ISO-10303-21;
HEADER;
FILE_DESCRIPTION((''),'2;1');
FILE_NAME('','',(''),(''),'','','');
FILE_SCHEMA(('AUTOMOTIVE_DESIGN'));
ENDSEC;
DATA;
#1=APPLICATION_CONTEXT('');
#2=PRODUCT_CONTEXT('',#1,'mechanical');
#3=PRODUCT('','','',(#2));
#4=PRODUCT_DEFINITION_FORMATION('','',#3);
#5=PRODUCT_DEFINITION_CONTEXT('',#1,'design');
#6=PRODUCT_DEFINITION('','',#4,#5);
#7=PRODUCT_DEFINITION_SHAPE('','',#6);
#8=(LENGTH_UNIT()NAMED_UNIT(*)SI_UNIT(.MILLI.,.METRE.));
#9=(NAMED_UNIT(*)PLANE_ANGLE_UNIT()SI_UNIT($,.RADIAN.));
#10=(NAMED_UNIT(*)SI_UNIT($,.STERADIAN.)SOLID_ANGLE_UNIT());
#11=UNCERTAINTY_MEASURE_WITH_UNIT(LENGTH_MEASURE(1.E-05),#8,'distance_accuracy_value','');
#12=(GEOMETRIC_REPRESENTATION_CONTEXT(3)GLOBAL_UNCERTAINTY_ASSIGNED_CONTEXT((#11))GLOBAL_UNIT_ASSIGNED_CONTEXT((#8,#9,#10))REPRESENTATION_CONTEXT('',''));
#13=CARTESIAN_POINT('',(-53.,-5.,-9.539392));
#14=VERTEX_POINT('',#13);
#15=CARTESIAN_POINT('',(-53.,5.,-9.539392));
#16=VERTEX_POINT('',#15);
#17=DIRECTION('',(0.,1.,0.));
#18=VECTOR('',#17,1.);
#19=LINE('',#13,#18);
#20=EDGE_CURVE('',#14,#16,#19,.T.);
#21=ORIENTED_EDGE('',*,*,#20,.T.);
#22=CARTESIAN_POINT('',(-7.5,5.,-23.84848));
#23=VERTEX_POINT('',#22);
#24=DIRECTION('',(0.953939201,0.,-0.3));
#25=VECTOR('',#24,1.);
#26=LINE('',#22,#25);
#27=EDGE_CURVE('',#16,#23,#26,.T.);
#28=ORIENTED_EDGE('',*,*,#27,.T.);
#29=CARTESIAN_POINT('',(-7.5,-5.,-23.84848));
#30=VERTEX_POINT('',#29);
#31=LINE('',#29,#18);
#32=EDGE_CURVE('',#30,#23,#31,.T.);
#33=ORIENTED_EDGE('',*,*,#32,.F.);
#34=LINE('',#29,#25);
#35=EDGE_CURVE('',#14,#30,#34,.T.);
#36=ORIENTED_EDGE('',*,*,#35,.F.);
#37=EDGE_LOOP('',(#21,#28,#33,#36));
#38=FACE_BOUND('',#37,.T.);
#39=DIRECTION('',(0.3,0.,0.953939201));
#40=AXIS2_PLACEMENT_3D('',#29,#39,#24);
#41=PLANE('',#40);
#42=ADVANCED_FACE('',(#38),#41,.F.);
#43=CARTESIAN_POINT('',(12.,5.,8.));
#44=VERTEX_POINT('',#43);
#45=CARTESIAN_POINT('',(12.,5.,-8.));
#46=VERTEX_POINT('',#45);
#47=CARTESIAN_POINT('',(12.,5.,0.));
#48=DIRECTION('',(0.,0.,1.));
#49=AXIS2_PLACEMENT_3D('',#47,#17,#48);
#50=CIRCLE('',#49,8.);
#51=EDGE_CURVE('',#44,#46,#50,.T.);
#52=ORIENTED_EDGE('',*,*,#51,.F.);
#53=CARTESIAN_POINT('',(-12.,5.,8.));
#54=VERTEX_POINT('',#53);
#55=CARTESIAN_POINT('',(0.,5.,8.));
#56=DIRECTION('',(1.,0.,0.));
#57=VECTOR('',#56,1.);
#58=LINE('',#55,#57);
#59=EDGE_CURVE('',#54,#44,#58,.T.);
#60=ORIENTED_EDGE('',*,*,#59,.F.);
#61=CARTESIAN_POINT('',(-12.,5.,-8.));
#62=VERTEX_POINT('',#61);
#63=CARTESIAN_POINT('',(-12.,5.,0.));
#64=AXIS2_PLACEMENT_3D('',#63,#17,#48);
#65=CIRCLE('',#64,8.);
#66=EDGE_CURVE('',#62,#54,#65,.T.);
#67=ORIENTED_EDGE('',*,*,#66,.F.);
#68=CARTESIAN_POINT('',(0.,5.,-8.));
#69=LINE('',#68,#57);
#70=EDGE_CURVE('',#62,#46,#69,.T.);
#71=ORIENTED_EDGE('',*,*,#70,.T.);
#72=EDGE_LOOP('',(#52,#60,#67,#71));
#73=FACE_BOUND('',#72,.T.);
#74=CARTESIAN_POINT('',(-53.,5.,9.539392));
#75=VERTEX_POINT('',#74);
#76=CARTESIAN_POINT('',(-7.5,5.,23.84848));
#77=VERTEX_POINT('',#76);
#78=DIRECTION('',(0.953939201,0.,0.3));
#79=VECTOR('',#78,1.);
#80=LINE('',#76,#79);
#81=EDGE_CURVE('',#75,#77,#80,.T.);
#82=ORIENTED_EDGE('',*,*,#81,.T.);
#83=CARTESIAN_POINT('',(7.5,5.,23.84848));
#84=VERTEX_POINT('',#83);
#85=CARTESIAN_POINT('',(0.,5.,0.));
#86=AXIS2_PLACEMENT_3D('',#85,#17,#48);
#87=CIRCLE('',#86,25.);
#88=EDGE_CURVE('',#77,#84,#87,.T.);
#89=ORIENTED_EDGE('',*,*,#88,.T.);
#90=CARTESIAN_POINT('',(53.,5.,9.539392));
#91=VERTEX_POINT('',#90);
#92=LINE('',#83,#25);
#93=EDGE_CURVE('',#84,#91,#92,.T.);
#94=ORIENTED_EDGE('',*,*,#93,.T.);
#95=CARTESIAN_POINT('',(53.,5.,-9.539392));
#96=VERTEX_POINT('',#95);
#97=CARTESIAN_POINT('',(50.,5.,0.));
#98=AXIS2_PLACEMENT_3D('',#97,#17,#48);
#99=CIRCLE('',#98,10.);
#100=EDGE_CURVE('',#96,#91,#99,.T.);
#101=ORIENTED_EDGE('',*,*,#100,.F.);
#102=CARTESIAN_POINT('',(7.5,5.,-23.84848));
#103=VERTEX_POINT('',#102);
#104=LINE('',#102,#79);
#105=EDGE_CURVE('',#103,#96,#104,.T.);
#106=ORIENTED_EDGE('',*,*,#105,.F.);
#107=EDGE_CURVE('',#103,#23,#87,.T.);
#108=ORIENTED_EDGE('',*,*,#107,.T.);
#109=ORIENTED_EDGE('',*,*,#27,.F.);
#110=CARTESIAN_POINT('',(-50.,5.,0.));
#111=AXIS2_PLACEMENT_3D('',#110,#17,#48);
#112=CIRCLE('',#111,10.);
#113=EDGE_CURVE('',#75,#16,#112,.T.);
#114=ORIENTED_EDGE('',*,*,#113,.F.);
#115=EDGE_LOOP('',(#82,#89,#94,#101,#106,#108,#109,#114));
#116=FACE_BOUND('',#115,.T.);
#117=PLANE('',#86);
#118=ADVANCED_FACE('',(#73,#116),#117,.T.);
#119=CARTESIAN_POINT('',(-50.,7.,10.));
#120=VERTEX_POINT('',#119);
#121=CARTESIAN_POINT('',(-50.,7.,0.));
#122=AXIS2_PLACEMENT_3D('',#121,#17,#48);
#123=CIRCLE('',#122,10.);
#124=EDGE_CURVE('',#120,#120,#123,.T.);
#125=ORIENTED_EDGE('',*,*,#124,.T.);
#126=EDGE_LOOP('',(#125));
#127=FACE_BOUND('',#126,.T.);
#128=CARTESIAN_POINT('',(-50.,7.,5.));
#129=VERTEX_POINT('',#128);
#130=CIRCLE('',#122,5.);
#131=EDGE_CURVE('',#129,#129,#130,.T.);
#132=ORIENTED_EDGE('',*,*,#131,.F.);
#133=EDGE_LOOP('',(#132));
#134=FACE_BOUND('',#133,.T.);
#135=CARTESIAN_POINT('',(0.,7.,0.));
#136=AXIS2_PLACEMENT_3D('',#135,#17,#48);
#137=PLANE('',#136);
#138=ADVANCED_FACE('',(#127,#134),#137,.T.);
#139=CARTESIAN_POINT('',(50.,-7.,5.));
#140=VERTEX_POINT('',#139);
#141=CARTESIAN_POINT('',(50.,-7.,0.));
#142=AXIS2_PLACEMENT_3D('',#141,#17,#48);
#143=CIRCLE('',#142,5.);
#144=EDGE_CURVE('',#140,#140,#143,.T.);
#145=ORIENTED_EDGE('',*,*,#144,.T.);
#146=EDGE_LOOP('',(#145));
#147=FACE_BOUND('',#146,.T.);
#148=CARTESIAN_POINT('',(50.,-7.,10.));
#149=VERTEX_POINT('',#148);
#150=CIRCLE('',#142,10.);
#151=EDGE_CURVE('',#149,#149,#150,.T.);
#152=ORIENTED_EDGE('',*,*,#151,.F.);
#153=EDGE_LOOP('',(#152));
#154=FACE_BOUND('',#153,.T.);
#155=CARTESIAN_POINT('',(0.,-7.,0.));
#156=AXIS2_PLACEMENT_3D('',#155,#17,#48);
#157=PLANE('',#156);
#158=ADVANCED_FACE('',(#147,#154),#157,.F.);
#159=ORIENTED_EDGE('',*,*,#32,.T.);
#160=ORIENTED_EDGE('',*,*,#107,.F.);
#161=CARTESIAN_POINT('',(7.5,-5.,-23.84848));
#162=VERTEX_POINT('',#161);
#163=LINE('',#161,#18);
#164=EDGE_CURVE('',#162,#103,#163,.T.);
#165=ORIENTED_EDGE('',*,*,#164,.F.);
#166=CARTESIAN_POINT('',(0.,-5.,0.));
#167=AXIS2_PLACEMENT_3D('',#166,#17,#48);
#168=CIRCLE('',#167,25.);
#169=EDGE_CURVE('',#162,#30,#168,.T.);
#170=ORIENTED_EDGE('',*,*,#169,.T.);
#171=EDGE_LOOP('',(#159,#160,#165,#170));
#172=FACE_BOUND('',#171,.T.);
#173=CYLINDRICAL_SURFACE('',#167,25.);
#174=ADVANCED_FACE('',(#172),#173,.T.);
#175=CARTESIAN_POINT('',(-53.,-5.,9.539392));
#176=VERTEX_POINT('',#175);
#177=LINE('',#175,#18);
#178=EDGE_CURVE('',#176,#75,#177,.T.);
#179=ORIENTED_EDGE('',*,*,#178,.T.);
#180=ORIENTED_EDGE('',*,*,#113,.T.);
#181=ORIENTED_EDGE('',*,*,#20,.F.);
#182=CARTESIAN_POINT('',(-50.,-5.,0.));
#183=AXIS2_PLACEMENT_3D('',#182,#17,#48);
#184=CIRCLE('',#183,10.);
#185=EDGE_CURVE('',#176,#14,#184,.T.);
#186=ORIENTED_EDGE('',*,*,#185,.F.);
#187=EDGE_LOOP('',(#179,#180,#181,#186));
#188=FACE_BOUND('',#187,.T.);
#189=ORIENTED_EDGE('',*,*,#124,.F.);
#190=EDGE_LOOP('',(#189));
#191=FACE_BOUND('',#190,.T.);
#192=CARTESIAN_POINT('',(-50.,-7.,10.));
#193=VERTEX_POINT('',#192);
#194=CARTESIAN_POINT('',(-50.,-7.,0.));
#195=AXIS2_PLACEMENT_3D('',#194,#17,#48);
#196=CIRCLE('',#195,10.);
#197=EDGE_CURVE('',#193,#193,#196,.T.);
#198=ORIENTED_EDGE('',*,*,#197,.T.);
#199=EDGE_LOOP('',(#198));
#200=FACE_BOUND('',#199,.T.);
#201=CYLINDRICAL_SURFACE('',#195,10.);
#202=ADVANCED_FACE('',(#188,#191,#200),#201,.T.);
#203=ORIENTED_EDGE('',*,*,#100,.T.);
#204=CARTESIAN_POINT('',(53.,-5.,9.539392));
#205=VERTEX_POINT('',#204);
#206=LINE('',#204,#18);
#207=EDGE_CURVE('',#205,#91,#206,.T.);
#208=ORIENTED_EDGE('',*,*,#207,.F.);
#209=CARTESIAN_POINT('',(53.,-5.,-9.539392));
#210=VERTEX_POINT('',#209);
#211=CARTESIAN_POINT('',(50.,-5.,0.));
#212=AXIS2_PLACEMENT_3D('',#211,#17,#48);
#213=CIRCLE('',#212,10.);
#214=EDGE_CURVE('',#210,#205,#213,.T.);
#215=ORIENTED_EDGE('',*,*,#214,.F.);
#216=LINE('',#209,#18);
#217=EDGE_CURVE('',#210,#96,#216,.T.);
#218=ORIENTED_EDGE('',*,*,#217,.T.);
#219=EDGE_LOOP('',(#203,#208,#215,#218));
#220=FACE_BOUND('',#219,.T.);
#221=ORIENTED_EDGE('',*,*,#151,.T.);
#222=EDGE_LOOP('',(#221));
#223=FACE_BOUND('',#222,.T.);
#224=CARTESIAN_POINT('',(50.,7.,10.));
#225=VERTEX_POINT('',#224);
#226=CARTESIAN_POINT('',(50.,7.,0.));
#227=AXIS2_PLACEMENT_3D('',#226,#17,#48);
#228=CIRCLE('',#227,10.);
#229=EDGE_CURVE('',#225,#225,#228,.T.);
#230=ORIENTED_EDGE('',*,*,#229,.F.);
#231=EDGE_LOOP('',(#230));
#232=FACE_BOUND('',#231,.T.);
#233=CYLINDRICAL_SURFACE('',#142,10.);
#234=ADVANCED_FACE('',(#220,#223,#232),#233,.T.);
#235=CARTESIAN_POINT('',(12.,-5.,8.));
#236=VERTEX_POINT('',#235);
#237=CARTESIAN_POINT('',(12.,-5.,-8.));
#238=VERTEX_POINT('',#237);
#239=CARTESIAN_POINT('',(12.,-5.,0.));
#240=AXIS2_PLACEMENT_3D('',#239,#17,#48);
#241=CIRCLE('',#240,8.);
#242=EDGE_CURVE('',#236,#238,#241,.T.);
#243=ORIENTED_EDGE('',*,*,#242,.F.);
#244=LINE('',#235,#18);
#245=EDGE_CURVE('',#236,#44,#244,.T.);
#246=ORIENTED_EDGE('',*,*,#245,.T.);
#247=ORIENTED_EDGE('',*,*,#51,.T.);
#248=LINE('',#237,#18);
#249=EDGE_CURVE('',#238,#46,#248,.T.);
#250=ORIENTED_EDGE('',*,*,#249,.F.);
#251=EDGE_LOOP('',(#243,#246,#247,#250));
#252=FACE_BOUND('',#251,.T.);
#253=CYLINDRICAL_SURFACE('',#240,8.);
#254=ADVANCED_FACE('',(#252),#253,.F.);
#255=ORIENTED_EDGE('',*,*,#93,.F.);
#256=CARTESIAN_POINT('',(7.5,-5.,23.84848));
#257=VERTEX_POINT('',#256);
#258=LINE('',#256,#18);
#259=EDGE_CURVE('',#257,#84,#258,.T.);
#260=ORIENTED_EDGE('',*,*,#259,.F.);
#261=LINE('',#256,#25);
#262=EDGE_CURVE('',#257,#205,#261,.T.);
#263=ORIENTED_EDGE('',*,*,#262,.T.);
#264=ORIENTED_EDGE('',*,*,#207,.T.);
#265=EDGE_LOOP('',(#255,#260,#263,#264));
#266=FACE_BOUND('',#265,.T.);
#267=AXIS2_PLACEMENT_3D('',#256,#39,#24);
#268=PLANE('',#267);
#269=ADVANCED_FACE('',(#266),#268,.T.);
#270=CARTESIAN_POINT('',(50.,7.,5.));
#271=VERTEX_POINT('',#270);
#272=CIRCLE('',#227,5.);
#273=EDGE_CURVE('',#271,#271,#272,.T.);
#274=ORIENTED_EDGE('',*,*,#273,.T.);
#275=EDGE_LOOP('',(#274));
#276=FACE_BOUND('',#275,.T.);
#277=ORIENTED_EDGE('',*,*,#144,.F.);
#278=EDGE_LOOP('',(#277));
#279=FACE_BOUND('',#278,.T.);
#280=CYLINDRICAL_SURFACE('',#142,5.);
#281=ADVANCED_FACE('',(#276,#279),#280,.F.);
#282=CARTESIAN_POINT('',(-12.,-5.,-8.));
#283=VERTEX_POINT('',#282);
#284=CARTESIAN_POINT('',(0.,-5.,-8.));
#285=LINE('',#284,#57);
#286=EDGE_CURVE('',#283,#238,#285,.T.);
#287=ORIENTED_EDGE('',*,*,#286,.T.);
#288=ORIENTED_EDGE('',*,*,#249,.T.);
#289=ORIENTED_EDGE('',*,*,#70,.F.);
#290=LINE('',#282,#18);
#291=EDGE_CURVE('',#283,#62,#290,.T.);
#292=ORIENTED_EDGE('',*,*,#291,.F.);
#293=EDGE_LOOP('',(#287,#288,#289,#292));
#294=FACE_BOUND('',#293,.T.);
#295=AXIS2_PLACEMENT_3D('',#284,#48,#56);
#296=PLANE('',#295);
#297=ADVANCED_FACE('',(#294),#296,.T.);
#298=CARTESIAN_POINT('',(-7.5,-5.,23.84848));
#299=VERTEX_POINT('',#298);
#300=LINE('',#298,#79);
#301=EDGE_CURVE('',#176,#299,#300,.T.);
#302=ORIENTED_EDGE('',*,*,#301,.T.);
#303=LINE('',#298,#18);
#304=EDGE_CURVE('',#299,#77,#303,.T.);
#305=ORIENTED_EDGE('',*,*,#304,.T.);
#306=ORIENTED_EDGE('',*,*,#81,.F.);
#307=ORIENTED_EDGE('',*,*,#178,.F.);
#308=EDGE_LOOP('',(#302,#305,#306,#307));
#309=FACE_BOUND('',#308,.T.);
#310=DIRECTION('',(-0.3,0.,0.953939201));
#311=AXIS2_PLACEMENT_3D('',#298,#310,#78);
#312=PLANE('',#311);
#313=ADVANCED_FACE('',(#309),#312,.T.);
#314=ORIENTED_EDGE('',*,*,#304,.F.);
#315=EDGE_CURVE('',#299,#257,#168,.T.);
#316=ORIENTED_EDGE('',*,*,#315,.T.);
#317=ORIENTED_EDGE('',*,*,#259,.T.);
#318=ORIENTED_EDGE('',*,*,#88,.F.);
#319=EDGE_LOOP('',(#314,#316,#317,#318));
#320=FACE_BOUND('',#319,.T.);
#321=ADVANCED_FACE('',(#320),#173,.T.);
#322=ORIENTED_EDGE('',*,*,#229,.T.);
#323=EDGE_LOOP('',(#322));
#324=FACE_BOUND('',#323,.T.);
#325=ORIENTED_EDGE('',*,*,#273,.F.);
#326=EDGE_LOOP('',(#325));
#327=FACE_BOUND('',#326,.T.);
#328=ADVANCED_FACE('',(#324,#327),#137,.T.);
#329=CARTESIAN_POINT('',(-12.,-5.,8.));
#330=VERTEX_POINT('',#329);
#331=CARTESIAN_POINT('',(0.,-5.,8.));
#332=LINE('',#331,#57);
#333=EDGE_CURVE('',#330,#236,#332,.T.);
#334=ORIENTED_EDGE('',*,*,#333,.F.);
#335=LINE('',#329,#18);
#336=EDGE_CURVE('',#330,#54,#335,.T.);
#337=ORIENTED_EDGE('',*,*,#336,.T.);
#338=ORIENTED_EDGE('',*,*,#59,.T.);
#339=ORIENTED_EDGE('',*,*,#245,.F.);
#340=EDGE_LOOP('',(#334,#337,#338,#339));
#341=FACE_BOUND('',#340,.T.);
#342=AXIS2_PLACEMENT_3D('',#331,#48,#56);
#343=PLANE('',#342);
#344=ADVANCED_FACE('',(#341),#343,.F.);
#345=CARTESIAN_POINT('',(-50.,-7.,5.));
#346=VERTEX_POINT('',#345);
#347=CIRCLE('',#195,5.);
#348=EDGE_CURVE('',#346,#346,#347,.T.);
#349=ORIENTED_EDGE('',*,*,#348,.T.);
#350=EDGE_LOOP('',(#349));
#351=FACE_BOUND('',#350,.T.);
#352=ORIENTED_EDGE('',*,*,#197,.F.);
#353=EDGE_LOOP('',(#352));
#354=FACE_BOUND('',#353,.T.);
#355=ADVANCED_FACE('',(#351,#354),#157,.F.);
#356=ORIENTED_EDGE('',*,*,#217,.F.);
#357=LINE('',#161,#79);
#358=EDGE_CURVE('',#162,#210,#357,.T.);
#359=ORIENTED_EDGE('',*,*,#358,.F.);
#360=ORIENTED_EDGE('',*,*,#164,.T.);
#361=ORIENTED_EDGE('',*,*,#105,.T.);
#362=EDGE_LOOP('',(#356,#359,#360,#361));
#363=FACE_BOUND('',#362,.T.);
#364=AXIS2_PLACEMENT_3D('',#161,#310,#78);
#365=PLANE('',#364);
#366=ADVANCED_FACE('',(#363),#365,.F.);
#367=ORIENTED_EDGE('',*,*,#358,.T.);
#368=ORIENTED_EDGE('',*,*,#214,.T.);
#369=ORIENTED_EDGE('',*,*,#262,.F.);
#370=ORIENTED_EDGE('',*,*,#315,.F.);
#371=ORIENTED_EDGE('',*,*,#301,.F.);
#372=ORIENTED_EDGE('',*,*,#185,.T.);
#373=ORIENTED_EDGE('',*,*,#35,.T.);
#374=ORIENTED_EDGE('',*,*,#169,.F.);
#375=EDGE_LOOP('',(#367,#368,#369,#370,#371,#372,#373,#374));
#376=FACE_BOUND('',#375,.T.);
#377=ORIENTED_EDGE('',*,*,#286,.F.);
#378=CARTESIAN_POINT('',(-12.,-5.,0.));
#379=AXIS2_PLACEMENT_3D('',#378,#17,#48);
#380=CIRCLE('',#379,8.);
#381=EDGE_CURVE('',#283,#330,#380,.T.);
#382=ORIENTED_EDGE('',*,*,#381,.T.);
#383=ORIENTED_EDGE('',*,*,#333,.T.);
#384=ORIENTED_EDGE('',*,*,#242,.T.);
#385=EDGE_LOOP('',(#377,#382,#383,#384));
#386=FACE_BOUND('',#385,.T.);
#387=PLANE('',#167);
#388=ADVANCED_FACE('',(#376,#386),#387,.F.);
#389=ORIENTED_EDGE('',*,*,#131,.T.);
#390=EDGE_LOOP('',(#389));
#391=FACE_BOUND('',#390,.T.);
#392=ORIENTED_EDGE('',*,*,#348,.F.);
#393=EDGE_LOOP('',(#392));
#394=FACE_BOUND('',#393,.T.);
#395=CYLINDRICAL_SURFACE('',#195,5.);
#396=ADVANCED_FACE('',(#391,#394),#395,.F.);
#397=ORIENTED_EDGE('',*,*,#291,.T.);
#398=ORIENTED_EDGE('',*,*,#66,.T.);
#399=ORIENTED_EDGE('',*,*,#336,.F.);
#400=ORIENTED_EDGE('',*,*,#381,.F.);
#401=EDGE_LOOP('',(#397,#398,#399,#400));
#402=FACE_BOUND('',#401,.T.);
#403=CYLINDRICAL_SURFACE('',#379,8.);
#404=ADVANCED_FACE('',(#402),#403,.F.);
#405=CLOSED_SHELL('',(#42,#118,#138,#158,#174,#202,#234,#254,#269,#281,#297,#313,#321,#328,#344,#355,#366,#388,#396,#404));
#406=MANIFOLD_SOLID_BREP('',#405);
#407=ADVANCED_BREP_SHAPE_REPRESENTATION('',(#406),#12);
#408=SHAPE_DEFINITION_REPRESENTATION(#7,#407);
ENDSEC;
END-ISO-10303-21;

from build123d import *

# Parameters (mm, degrees)
SALIENTE_EXTRUIR1_DEPTH      = 5
SALIENTE_EXTRUIR1_DEPTH_BACK = 5
SALIENTE_EXTRUIR2_DEPTH      = 7
SALIENTE_EXTRUIR2_DEPTH_BACK = 7
CROQUIS6_3_R                 = 10
CROQUIS6_3_R_2               = 5


with BuildPart() as part:
    # Croquis6 → Saliente-Extruir1 (new, two sides: drawn at the far end of the back side and taken through both)
    with BuildSketch(Plane(origin=(0, 0, 0), x_dir=(1, 0, 0), z_dir=(0, 1, 0)).offset(-SALIENTE_EXTRUIR1_DEPTH_BACK)):
        with BuildLine():
            Line((-7.5, 23.848480035), (-53, 9.539392014))
            ThreePointArc((-53, 9.539392014), (-44.083920217, 8.062257748), (-40, 0))
            ThreePointArc((-40, 0), (-44.083920217, -8.062257748), (-53, -9.539392014))
            Line((-53, -9.539392014), (-7.5, -23.848480035))
            ThreePointArc((-7.5, -23.848480035), (0, -25), (7.5, -23.848480035))
            Line((7.5, -23.848480035), (53, -9.539392014))
            ThreePointArc((53, -9.539392014), (40, 0), (53, 9.539392014))
            Line((53, 9.539392014), (7.5, 23.848480035))
            ThreePointArc((7.5, 23.848480035), (0, 25), (-7.5, 23.848480035))
        make_face()
        with BuildLine():
            Line((12, -8), (-12, -8))
            ThreePointArc((-12, -8), (-20, 0), (-12, 8))
            Line((-12, 8), (12, 8))
            ThreePointArc((12, 8), (20, 0), (12, -8))
        make_face(mode=Mode.SUBTRACT)
    extrude(amount=SALIENTE_EXTRUIR1_DEPTH + SALIENTE_EXTRUIR1_DEPTH_BACK)

    # Croquis6<3> → Saliente-Extruir2 (add, two sides: drawn at the far end of the back side and taken through both)
    # profile 1 of 2: a face of its own
    with BuildSketch(Plane(origin=(0, 0, 0), x_dir=(1, 0, 0), z_dir=(0, 1, 0)).offset(-SALIENTE_EXTRUIR2_DEPTH_BACK)):
        with Locations((-50, 0)):
            Circle(CROQUIS6_3_R)
        with Locations((-50, 0)):
            Circle(CROQUIS6_3_R_2, mode=Mode.SUBTRACT)
    # profile 2 of 2: a face of its own
    with BuildSketch(Plane(origin=(0, 0, 0), x_dir=(1, 0, 0), z_dir=(0, 1, 0)).offset(-SALIENTE_EXTRUIR2_DEPTH_BACK)):
        with Locations((50, 0)):
            Circle(CROQUIS6_3_R)
        with Locations((50, 0)):
            Circle(CROQUIS6_3_R_2, mode=Mode.SUBTRACT)
    extrude(amount=SALIENTE_EXTRUIR2_DEPTH + SALIENTE_EXTRUIR2_DEPTH_BACK)


solid = part.part
